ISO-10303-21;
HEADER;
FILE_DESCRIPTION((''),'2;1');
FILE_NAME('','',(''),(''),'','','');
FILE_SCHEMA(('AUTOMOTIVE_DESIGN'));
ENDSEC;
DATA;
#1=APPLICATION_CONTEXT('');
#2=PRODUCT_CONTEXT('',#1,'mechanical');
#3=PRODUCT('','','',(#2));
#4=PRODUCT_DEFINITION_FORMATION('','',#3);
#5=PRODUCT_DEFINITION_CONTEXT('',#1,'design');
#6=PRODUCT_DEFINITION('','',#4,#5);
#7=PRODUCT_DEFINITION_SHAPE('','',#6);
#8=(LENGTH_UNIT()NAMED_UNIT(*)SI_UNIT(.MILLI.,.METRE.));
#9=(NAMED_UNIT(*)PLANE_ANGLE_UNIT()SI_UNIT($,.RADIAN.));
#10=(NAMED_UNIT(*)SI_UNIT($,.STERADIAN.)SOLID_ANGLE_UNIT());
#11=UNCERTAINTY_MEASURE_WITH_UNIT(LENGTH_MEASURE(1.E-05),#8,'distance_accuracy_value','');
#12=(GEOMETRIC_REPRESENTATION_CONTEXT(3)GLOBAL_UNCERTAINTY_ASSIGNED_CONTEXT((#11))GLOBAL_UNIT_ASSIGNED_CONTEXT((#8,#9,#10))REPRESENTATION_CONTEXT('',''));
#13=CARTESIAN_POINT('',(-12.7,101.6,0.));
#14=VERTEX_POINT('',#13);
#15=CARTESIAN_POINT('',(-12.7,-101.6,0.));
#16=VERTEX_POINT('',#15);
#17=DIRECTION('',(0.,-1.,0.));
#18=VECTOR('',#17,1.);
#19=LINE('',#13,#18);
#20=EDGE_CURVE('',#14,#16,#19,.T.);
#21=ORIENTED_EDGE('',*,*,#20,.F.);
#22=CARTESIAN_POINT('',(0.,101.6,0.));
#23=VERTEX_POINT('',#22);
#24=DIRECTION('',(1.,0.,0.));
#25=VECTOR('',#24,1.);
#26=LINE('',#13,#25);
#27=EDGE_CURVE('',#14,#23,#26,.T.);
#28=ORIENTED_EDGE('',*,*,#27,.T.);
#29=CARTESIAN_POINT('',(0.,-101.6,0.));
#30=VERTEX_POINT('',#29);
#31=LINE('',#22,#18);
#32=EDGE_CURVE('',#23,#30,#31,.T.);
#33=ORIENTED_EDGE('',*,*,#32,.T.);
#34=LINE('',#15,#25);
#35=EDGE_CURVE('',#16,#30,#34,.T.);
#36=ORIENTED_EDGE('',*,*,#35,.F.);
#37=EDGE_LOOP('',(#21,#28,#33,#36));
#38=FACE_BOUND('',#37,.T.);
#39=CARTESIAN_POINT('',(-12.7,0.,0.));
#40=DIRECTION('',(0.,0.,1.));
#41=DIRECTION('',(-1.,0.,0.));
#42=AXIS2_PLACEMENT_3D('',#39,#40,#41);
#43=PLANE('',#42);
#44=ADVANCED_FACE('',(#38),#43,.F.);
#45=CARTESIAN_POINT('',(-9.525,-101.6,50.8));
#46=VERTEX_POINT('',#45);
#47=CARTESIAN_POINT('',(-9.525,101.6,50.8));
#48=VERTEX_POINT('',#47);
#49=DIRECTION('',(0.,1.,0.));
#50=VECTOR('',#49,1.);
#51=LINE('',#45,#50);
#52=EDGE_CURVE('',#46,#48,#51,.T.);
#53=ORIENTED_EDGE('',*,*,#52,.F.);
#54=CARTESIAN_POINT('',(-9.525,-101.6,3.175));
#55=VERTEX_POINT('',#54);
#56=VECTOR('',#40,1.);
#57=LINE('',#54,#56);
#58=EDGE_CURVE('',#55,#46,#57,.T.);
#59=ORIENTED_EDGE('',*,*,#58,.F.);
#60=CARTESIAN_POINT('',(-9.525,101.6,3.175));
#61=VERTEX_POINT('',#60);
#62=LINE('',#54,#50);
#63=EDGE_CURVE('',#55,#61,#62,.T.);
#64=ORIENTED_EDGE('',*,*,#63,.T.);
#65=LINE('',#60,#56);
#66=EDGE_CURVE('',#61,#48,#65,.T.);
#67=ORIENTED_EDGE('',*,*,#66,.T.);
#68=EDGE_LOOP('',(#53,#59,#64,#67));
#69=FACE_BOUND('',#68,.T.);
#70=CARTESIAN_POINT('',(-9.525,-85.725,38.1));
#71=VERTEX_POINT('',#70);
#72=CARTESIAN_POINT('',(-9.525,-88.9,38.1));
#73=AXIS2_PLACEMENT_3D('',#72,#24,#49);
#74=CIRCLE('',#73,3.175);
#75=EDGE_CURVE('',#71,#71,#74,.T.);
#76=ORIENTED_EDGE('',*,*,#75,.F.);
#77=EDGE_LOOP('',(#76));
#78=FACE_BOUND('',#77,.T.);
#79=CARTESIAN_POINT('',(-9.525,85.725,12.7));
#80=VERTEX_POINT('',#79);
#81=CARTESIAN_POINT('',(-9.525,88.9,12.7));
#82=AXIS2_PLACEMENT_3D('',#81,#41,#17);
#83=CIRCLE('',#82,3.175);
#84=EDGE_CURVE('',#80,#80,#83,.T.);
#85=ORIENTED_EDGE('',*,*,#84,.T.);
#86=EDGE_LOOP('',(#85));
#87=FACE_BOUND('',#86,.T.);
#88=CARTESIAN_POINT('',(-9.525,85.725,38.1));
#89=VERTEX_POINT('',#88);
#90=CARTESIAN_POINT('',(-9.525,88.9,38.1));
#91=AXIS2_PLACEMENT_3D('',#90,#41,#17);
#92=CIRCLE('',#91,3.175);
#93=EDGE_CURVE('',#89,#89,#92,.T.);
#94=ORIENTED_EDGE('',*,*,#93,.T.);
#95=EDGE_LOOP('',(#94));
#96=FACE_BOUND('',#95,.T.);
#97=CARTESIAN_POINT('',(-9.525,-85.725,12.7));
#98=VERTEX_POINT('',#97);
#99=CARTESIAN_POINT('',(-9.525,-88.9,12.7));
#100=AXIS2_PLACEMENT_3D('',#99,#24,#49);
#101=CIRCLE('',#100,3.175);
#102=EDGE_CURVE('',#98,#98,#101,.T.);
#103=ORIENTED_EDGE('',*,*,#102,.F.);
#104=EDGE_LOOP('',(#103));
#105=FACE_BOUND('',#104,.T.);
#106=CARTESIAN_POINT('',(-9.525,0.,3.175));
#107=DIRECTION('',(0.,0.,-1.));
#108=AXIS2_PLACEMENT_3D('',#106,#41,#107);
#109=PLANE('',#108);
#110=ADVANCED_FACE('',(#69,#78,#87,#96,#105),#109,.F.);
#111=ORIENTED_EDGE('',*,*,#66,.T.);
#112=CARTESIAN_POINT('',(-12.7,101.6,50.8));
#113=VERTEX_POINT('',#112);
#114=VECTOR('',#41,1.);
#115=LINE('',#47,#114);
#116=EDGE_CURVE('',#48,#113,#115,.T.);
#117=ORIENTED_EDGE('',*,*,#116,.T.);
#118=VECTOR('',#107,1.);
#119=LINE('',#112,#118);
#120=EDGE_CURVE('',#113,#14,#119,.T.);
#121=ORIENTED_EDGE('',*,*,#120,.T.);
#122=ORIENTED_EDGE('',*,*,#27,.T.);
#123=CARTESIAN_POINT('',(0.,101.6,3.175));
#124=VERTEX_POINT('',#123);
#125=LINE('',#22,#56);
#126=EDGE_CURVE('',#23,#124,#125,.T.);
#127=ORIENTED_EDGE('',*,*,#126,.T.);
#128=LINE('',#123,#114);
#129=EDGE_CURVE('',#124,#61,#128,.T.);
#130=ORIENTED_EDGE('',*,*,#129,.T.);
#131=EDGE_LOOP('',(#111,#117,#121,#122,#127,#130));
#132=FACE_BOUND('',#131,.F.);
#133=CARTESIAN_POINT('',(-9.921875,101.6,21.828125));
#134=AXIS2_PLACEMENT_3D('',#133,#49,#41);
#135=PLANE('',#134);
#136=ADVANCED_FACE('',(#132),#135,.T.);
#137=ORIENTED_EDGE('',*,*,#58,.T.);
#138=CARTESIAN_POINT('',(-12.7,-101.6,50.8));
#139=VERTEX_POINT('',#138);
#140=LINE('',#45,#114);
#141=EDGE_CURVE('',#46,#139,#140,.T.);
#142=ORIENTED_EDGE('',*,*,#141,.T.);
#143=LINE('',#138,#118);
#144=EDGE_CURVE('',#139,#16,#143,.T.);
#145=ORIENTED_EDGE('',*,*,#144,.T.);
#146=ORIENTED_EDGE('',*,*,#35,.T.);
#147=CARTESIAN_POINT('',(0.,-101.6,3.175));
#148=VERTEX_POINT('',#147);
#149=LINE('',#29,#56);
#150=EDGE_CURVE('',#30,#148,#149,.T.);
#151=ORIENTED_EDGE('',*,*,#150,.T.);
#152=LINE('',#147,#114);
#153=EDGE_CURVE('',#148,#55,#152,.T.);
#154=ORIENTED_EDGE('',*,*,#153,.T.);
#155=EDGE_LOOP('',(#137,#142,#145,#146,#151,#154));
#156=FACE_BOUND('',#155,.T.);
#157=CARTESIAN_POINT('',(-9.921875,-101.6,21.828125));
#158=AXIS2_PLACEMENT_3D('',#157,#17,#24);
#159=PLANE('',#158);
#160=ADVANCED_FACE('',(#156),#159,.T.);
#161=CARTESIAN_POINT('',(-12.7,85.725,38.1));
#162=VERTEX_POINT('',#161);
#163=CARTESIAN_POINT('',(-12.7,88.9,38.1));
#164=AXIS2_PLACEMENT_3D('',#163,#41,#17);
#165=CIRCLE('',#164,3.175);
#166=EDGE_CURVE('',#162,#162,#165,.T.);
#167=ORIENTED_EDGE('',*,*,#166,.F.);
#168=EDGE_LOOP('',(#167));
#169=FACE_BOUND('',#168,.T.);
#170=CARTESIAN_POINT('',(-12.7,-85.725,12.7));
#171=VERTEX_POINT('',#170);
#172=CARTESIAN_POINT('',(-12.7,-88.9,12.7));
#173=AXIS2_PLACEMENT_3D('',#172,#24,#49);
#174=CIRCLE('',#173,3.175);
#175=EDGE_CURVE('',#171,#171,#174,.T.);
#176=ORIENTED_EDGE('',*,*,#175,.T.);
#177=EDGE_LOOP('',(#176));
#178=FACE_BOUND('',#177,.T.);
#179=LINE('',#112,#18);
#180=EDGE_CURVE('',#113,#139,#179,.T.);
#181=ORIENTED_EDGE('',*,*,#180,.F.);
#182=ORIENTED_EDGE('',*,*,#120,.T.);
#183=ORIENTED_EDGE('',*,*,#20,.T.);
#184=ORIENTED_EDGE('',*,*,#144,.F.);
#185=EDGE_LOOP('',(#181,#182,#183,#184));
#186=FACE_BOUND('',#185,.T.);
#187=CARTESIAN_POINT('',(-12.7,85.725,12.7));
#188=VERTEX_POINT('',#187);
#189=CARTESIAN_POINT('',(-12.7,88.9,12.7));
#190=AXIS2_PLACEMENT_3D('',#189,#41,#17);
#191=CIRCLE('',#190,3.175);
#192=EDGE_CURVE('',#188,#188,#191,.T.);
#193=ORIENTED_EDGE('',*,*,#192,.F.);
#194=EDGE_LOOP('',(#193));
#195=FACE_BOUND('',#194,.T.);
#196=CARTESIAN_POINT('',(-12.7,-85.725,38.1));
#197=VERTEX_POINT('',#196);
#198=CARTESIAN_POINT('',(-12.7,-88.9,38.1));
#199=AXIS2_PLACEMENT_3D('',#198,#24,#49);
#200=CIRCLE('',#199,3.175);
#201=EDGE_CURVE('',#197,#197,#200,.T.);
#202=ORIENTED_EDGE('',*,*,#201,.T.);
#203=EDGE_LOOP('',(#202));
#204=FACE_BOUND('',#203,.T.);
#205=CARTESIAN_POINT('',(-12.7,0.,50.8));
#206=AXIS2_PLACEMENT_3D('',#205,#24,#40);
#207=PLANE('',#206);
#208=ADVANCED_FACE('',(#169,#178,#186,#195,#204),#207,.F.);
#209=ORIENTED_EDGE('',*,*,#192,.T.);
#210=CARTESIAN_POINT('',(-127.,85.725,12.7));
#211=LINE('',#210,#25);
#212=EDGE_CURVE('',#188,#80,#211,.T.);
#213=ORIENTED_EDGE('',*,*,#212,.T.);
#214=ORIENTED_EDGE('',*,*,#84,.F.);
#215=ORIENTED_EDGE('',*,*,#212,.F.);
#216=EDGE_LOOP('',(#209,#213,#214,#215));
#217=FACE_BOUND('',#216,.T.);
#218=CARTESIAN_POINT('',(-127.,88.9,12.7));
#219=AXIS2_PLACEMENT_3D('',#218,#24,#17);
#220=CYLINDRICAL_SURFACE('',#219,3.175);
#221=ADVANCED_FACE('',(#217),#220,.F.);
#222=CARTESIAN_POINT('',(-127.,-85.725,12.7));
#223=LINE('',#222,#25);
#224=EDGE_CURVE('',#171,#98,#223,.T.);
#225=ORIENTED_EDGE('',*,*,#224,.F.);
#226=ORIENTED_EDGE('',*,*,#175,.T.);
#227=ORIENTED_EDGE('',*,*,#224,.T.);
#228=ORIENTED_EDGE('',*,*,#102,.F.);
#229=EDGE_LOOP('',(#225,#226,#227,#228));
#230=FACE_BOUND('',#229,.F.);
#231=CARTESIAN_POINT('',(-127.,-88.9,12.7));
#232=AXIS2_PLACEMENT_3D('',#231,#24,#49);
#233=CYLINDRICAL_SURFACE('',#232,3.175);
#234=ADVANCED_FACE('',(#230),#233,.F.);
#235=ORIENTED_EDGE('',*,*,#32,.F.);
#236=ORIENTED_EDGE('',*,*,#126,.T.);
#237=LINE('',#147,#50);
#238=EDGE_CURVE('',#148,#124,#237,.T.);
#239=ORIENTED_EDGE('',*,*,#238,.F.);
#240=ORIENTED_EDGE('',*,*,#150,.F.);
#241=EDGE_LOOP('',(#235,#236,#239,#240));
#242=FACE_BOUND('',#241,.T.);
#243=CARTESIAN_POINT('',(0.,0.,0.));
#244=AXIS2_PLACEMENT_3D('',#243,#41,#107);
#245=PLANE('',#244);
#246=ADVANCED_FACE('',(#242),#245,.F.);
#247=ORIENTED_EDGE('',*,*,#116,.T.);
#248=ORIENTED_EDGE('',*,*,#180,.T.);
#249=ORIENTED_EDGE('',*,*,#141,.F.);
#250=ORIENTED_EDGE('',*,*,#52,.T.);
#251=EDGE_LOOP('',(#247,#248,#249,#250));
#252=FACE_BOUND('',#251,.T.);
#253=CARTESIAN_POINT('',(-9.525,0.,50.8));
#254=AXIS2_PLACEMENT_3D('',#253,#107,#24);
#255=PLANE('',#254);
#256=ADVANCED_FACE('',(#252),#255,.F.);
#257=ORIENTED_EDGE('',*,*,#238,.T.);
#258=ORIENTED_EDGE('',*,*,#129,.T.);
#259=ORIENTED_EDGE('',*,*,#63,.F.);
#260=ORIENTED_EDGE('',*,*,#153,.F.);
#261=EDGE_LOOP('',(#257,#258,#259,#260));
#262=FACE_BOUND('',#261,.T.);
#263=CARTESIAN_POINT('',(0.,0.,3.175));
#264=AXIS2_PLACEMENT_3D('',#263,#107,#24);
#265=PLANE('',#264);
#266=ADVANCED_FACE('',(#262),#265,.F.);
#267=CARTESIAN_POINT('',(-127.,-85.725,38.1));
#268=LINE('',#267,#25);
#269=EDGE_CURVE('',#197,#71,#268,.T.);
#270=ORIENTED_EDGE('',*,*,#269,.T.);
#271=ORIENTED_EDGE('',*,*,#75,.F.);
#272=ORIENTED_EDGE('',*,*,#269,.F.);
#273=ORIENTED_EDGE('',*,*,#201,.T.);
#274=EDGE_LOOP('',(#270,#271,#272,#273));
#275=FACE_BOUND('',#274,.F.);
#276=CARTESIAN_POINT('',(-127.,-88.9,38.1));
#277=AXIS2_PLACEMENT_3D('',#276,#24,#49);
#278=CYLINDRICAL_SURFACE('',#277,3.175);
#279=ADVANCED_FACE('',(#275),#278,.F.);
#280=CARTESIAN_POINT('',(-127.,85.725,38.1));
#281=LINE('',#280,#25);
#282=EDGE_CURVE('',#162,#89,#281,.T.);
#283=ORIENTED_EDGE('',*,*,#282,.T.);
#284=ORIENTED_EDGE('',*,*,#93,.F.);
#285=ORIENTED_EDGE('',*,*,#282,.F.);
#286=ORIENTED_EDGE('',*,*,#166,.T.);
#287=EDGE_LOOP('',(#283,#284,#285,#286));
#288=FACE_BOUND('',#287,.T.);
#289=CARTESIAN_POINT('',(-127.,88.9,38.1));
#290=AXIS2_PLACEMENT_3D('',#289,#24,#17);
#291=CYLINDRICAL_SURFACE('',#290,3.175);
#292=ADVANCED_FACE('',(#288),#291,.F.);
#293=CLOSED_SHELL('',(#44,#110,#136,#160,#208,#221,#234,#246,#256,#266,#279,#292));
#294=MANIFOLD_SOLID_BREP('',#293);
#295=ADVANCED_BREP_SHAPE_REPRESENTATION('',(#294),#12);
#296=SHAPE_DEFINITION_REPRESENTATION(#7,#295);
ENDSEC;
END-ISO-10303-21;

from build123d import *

# Parameters (mm, degrees)
F1_DEPTH = 101.6
F3_D     = 6.35


with BuildPart() as f1:
    # F0 (on Front) → F1 (new body)
    with BuildSketch(Plane.XZ):
        Polygon((-9.525, 50.8), (-12.7, 50.8), (-12.7, 0), (0, 0), (0, 3.175), (-9.525, 3.175), align=None)
    extrude(amount=F1_DEPTH)

    # F3 (through all)
    with Locations(Plane(origin=(-12.7, 0, 0), x_dir=(0, -1, 0), z_dir=(-1, 0, 0))):
        with Locations((88.9, 38.1), (88.9, 12.7)):
            Hole(F3_D / 2)

    # F4: F1 across plane


with BuildPart() as f1_1:
    add(f1.part)
    add(f1.part.mirror(Plane.XZ))


solid = f1_1.part
